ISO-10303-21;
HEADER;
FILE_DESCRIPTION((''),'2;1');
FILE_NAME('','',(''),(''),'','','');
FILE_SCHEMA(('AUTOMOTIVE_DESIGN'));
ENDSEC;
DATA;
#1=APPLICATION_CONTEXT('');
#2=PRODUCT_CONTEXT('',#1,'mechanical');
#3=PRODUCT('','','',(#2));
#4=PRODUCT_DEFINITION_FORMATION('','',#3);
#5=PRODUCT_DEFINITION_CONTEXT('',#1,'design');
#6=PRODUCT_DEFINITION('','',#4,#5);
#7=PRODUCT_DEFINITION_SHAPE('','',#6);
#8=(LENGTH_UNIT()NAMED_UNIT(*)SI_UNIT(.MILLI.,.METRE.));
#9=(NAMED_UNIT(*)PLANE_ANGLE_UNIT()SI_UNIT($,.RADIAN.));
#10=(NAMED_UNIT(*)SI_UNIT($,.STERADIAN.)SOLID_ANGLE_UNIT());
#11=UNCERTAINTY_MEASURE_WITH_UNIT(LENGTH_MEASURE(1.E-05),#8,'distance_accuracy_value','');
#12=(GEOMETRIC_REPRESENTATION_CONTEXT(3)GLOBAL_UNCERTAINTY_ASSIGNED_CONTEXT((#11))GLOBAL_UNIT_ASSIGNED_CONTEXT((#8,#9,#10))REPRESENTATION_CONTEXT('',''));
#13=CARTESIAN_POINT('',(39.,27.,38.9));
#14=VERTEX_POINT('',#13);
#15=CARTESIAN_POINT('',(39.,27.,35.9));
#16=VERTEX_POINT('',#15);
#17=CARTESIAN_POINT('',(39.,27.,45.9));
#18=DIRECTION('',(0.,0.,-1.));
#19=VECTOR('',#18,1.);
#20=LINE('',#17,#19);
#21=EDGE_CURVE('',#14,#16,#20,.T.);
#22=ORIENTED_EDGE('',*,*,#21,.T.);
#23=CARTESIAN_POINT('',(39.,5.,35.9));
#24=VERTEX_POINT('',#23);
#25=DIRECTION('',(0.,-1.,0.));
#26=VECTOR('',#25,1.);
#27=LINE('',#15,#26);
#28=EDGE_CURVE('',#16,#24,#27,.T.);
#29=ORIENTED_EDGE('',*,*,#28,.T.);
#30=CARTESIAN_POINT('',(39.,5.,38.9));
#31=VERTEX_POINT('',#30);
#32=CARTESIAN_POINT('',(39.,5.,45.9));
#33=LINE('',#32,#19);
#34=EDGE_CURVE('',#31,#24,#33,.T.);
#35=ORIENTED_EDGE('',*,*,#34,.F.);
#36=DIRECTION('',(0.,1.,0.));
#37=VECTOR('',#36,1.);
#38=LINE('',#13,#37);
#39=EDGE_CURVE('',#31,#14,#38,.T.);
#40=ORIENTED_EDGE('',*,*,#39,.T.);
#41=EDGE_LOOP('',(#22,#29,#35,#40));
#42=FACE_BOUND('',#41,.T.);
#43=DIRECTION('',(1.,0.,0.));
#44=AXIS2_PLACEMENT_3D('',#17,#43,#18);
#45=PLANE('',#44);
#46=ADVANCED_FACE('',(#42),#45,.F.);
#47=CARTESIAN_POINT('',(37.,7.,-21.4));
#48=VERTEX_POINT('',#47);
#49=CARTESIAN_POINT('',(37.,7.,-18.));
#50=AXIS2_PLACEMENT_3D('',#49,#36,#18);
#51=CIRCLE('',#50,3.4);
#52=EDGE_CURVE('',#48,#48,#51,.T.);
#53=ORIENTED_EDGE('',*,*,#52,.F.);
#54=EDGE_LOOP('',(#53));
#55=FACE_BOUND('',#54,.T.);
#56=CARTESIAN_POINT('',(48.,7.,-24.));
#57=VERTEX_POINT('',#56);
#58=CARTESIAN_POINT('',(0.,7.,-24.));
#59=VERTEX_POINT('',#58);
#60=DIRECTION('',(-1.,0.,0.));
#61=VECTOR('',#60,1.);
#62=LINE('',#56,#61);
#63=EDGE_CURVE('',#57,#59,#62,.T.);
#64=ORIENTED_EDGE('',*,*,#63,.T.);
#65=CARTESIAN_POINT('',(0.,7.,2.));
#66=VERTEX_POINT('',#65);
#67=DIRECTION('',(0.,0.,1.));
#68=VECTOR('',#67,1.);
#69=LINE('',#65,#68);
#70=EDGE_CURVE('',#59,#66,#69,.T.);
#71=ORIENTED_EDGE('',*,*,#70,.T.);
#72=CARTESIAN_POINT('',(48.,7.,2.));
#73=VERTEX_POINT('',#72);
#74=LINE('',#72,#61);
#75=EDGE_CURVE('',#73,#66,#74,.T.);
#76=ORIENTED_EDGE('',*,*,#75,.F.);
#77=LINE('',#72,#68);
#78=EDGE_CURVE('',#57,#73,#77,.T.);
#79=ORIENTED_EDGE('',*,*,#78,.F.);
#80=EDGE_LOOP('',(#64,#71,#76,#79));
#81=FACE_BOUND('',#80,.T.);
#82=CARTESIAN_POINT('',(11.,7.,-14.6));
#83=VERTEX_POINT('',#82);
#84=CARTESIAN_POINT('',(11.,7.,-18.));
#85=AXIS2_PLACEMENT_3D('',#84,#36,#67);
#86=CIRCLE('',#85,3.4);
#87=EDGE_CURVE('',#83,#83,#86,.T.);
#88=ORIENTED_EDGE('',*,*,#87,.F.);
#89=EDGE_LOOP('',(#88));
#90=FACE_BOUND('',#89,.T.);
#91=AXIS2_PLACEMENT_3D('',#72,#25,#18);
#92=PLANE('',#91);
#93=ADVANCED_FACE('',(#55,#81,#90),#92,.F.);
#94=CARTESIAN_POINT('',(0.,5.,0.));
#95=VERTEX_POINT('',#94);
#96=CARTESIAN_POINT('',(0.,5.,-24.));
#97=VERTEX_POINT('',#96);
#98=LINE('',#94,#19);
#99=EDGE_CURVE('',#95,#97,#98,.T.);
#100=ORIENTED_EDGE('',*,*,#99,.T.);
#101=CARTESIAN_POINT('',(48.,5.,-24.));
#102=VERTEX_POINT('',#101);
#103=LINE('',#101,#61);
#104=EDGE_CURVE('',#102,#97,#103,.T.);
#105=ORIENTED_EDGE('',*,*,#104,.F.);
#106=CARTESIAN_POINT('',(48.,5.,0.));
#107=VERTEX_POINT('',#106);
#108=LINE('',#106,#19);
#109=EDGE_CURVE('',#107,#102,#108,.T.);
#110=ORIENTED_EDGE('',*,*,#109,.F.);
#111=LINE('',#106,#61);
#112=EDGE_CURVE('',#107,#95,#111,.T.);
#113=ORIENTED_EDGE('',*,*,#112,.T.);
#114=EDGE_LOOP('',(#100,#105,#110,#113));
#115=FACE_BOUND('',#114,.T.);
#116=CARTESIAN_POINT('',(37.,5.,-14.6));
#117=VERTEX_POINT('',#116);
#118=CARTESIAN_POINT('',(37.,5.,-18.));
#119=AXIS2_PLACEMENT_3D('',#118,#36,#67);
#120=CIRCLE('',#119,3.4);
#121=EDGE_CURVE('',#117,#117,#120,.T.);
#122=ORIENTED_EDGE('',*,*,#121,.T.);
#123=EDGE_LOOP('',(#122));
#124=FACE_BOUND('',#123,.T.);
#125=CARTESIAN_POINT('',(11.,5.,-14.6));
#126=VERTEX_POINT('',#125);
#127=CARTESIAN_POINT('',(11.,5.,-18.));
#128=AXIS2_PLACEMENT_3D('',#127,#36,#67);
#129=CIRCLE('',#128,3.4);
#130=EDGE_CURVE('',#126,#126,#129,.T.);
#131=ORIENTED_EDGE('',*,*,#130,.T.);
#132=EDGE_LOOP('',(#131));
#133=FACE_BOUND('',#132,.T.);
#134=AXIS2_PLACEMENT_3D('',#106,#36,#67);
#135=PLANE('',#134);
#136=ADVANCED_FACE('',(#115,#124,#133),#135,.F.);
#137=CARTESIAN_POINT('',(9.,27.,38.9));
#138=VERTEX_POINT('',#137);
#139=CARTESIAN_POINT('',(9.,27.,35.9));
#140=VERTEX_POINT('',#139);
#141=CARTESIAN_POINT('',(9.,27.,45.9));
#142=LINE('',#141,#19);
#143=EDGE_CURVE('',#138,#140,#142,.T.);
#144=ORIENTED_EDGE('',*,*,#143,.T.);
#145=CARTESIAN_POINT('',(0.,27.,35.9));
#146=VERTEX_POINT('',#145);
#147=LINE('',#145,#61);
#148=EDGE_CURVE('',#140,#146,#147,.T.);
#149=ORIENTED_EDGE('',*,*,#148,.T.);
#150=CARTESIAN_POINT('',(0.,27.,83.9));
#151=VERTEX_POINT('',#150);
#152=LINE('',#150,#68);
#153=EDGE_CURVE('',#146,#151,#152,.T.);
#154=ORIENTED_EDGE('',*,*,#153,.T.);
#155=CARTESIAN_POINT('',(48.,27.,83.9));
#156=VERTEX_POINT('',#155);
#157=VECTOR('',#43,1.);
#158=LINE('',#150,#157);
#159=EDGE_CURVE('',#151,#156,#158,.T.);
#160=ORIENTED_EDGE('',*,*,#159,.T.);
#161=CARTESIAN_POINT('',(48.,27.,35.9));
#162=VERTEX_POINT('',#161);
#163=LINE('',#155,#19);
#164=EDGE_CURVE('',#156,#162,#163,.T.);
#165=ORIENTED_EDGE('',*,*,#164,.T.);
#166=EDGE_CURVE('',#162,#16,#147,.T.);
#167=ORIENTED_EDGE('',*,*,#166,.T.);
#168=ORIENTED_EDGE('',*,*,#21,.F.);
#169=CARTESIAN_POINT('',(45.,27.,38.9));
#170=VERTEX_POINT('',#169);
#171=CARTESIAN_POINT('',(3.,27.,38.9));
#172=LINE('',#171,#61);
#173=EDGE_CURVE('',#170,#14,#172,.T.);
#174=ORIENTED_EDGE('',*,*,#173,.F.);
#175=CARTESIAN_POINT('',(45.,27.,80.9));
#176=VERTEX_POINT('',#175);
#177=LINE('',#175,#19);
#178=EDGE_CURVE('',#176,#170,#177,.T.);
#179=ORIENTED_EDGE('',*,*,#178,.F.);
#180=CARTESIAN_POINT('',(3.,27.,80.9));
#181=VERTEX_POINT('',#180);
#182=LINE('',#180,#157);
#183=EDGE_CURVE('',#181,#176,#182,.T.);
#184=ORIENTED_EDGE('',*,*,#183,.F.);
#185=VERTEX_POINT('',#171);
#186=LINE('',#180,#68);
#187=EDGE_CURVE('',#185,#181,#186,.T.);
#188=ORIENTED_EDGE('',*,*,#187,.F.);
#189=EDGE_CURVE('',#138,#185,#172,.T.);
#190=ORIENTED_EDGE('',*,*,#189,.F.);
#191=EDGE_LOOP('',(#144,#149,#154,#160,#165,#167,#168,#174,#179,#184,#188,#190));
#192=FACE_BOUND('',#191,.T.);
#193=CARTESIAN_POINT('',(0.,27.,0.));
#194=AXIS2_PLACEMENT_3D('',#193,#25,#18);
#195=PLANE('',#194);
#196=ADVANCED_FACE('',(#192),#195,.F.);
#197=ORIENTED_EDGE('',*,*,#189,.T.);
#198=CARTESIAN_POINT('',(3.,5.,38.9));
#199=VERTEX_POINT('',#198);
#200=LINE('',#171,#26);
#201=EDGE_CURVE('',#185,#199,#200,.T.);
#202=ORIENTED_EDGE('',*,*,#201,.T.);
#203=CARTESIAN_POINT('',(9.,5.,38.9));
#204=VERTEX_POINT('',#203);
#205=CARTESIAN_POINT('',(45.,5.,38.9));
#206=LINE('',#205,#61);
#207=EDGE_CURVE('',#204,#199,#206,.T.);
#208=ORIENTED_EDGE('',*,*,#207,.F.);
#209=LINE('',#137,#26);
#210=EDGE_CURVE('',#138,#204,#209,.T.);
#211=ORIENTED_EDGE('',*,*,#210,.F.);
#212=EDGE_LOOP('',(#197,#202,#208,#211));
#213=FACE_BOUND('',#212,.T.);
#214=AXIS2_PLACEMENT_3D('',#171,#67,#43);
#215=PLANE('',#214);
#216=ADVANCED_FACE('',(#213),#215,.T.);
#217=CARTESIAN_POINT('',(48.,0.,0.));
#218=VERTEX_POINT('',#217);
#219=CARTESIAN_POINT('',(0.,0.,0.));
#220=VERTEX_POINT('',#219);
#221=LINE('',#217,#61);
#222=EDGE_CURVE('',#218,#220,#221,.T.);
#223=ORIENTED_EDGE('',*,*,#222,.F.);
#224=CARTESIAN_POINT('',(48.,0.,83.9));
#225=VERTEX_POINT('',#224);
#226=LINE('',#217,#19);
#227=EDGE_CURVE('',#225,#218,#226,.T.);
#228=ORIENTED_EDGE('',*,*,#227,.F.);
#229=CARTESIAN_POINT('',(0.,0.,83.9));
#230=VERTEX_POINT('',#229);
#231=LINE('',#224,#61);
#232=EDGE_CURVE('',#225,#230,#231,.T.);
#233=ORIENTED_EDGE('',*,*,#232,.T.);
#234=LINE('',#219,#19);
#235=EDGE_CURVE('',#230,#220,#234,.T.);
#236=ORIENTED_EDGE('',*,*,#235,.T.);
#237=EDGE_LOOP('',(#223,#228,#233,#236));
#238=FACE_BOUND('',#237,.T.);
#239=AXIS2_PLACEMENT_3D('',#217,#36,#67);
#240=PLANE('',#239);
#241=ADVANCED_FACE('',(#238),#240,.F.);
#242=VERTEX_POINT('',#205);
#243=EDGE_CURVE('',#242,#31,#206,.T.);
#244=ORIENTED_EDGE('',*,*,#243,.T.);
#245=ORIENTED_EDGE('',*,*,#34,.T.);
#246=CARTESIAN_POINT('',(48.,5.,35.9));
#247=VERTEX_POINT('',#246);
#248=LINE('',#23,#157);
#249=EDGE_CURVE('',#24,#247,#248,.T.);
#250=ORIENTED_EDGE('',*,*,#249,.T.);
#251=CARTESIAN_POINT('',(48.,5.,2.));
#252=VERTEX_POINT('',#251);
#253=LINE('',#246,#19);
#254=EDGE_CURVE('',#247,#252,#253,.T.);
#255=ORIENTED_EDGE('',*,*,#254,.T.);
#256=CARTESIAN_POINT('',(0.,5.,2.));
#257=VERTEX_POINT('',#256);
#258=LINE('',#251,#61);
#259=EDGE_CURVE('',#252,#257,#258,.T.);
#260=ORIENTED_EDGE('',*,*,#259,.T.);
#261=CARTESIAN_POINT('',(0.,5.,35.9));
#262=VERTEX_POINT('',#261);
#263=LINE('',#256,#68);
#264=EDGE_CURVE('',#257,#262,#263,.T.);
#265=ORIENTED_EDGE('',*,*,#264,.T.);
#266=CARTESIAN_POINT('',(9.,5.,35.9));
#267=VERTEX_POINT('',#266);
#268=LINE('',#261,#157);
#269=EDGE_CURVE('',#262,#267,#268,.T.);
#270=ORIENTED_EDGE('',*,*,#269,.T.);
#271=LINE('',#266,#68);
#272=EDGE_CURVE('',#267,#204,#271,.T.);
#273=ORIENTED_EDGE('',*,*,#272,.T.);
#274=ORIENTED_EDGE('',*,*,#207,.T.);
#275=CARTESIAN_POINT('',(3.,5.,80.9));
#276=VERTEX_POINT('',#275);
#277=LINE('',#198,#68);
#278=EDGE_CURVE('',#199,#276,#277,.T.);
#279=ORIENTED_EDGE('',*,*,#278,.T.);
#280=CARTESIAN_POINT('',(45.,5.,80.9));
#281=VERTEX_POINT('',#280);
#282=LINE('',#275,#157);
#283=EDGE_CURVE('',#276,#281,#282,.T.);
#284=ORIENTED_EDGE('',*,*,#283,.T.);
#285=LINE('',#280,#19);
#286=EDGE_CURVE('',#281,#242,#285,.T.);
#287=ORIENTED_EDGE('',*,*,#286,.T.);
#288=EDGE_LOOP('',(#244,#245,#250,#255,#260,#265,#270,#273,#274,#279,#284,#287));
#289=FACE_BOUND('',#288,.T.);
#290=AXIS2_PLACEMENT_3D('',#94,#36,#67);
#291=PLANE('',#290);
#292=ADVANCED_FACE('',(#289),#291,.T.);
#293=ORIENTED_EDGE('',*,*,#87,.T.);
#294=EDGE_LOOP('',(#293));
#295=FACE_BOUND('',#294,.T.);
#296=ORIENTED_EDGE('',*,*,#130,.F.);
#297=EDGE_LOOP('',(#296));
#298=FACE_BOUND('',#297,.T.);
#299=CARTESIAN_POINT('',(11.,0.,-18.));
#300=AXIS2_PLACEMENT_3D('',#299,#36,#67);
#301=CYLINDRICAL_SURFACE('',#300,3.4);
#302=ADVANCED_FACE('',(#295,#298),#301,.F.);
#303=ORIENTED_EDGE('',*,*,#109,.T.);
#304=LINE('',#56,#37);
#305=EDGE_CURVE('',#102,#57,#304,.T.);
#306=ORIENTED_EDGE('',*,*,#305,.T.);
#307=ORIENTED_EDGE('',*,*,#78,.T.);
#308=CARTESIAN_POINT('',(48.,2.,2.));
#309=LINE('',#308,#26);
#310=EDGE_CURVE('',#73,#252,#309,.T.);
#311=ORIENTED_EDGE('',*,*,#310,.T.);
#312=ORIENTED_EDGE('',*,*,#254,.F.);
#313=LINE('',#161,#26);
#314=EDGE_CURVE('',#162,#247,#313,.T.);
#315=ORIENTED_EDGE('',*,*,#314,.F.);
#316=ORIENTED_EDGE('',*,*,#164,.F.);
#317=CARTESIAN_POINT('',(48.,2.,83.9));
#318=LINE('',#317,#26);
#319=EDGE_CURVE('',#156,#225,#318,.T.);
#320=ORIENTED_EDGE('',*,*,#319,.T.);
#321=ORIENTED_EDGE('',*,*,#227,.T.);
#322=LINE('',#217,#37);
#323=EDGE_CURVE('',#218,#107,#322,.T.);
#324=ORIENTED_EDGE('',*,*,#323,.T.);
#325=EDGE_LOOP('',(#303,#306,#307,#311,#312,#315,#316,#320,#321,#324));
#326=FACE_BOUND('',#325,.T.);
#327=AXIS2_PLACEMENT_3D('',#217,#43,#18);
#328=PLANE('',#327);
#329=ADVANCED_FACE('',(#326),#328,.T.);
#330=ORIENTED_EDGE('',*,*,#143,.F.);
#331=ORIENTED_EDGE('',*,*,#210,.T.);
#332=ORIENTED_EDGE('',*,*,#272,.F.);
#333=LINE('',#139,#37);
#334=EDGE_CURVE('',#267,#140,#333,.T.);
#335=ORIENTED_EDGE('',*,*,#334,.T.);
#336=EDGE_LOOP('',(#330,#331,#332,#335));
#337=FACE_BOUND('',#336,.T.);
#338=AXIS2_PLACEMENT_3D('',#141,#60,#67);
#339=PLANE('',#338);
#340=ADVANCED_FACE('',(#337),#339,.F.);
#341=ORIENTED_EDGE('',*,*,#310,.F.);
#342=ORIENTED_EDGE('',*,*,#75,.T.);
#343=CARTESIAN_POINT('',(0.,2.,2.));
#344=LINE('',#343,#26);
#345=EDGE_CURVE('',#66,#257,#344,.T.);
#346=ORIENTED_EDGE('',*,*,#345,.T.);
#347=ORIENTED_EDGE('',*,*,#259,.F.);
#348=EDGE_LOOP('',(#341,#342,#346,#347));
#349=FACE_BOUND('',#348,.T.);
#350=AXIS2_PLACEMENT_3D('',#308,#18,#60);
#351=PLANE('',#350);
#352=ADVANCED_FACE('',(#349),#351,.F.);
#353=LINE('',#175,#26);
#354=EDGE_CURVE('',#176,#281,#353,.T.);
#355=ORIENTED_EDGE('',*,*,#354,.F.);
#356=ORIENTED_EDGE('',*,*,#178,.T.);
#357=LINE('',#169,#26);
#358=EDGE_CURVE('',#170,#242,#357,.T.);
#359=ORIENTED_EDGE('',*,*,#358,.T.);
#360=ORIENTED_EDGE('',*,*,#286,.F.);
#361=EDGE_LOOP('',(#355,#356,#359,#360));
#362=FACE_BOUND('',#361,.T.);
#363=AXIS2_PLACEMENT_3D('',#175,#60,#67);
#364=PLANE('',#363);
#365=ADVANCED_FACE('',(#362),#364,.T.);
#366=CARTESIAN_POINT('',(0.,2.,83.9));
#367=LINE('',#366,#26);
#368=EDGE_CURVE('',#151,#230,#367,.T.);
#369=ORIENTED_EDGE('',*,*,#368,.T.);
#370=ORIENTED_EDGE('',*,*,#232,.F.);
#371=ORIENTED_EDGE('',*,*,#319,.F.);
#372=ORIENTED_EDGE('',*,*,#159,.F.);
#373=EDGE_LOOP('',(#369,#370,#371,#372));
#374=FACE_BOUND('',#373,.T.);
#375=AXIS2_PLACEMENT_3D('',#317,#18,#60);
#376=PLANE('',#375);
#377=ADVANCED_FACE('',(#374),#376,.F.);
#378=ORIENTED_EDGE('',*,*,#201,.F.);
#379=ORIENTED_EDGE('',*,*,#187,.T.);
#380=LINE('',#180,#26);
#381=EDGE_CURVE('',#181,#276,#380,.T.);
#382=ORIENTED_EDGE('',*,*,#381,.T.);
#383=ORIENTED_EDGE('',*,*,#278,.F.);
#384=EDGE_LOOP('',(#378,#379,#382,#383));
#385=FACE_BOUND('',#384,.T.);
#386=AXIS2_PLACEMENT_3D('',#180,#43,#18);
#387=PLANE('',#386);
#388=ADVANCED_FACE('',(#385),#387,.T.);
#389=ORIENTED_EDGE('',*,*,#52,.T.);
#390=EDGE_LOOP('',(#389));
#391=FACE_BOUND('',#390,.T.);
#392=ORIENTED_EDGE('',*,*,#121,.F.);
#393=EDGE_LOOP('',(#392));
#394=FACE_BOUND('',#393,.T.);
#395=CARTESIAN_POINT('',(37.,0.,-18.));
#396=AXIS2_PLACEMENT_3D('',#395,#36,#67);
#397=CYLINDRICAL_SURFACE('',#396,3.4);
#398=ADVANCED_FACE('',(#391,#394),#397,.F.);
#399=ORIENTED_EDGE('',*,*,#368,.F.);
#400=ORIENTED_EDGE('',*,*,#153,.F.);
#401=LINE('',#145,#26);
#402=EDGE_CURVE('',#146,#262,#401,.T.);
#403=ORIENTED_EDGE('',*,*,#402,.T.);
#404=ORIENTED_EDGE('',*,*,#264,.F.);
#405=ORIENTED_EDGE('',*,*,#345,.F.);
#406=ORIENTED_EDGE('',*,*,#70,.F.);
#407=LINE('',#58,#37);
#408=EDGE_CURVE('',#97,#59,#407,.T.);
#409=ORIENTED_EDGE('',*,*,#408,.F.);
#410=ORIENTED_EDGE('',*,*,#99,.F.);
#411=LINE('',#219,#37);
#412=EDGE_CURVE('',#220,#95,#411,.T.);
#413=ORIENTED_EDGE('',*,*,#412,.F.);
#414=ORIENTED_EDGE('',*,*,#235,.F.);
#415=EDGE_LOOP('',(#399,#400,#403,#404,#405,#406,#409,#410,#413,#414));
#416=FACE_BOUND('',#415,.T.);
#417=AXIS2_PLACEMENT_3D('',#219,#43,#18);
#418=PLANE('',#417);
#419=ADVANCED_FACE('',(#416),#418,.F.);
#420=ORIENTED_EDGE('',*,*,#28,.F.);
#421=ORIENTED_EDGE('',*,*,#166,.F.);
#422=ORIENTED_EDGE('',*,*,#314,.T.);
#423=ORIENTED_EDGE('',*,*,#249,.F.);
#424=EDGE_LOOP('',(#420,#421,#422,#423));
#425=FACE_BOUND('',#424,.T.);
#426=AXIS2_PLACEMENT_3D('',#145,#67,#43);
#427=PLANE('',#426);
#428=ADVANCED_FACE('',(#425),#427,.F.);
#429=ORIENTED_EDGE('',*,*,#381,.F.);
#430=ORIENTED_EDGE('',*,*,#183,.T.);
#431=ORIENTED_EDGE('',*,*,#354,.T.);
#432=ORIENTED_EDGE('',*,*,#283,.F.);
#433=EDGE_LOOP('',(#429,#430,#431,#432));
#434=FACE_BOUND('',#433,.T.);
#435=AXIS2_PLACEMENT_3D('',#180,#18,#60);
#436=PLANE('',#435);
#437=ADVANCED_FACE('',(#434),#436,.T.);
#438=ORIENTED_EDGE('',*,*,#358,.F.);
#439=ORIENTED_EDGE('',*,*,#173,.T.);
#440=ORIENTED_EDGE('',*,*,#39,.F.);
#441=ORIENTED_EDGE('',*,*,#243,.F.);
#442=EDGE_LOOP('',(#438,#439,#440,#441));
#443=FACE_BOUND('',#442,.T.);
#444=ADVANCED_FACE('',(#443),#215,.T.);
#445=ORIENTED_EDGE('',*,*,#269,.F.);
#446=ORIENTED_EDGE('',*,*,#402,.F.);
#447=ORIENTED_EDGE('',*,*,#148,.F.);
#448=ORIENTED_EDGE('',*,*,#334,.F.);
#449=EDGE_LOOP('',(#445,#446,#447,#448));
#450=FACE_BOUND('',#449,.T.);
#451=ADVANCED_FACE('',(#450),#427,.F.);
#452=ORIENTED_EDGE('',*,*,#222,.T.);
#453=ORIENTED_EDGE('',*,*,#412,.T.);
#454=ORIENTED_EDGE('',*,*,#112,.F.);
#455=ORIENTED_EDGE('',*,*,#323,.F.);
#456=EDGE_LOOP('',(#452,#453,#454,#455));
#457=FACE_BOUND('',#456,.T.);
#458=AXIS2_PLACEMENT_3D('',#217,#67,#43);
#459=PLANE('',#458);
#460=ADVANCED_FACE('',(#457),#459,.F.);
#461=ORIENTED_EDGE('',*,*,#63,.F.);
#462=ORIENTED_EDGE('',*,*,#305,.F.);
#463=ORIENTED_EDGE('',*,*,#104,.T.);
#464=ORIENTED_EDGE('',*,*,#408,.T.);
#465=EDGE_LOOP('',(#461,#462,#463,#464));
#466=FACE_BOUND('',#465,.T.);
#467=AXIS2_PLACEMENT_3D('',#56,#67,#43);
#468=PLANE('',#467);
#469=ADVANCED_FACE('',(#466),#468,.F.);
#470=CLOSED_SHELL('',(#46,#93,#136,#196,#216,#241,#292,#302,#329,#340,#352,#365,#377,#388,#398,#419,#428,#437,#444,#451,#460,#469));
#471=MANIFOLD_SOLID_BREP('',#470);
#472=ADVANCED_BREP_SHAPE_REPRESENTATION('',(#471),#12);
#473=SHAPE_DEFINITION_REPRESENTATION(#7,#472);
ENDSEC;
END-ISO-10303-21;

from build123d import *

# Parameters (mm, degrees)
BOSS_EXTRUDE1_DEPTH = 48
SKETCH4_W           = 48
SKETCH4_H           = 48
SKETCH4_W_2         = 42
SKETCH4_H_2         = 42
BOSS_EXTRUDE2_DEPTH = 25
SKETCH5_W           = 42
SKETCH5_H           = 42
BOSS_EXTRUDE3_DEPTH = 3
SKETCH7_R           = 3.4
CUT_EXTRUDE1_DEPTH  = 99.707699801
SKETCH8_W           = 30
SKETCH8_H           = 25
CUT_EXTRUDE3_DEPTH  = 10
BOSS_EXTRUDE4_DEPTH = 3


with BuildPart() as part:
    # Sketch3 → Boss-Extrude1 (new body)
    with BuildSketch(Plane(origin=(0, 0, 0), x_dir=(0, 0, -1), z_dir=(1, 0, 0))):
        Polygon((0, 0), (0, 5), (24, 5), (24, 7), (-2, 7), (-2, 2), (-83.9, 2), (-83.9, 0), align=None)
    extrude(amount=BOSS_EXTRUDE1_DEPTH)

    # Sketch4 → Boss-Extrude2 (add)
    with BuildSketch(Plane(origin=(0, 2, 0), x_dir=(1, 0, 0), z_dir=(0, 1, 0))):
        with Locations((24, -59.9)):
            Rectangle(SKETCH4_W, SKETCH4_H)
        with Locations((24, -59.9)):
            Rectangle(SKETCH4_W_2, SKETCH4_H_2, mode=Mode.SUBTRACT)
    extrude(amount=BOSS_EXTRUDE2_DEPTH)

    # Sketch5 → Boss-Extrude3 (add)
    with BuildSketch(Plane(origin=(0, 2, 0), x_dir=(1, 0, 0), z_dir=(0, 1, 0))):
        with Locations((24, -59.9)):
            Rectangle(SKETCH5_W, SKETCH5_H)
    extrude(amount=BOSS_EXTRUDE3_DEPTH)

    # Sketch7 → Cut-Extrude1 (cut, through all)
    with BuildSketch(Plane(origin=(0, 7, 0), x_dir=(1, 0, 0), z_dir=(0, 1, 0))):
        with Locations(Location((11, 18, 0), (0, 0, 270))):
            Circle(SKETCH7_R)
        with Locations(Location((37, 18, 0), (0, 0, 270))):
            Circle(SKETCH7_R)
    extrude(amount=-CUT_EXTRUDE1_DEPTH, mode=Mode.SUBTRACT)

    # Sketch8 → Cut-Extrude3 (cut)
    with BuildSketch(Plane(origin=(0, 0, 35.9), x_dir=(-1, 0, 0), z_dir=(0, 0, -1))):
        with Locations((-24, 14.5)):
            Rectangle(SKETCH8_W, SKETCH8_H)
    extrude(amount=-CUT_EXTRUDE3_DEPTH, mode=Mode.SUBTRACT)

    # Sketch9 → Boss-Extrude4 (add)
    with BuildSketch(Plane(origin=(0, 2, 0), x_dir=(1, 0, 0), z_dir=(0, 1, 0))):
        Polygon((0, -2), (0, -35.9), (9, -35.9), (9, -45.9), (39, -45.9), (39, -35.9), (48, -35.9), (48, -2), align=None)
    extrude(amount=BOSS_EXTRUDE4_DEPTH)


solid = part.part
